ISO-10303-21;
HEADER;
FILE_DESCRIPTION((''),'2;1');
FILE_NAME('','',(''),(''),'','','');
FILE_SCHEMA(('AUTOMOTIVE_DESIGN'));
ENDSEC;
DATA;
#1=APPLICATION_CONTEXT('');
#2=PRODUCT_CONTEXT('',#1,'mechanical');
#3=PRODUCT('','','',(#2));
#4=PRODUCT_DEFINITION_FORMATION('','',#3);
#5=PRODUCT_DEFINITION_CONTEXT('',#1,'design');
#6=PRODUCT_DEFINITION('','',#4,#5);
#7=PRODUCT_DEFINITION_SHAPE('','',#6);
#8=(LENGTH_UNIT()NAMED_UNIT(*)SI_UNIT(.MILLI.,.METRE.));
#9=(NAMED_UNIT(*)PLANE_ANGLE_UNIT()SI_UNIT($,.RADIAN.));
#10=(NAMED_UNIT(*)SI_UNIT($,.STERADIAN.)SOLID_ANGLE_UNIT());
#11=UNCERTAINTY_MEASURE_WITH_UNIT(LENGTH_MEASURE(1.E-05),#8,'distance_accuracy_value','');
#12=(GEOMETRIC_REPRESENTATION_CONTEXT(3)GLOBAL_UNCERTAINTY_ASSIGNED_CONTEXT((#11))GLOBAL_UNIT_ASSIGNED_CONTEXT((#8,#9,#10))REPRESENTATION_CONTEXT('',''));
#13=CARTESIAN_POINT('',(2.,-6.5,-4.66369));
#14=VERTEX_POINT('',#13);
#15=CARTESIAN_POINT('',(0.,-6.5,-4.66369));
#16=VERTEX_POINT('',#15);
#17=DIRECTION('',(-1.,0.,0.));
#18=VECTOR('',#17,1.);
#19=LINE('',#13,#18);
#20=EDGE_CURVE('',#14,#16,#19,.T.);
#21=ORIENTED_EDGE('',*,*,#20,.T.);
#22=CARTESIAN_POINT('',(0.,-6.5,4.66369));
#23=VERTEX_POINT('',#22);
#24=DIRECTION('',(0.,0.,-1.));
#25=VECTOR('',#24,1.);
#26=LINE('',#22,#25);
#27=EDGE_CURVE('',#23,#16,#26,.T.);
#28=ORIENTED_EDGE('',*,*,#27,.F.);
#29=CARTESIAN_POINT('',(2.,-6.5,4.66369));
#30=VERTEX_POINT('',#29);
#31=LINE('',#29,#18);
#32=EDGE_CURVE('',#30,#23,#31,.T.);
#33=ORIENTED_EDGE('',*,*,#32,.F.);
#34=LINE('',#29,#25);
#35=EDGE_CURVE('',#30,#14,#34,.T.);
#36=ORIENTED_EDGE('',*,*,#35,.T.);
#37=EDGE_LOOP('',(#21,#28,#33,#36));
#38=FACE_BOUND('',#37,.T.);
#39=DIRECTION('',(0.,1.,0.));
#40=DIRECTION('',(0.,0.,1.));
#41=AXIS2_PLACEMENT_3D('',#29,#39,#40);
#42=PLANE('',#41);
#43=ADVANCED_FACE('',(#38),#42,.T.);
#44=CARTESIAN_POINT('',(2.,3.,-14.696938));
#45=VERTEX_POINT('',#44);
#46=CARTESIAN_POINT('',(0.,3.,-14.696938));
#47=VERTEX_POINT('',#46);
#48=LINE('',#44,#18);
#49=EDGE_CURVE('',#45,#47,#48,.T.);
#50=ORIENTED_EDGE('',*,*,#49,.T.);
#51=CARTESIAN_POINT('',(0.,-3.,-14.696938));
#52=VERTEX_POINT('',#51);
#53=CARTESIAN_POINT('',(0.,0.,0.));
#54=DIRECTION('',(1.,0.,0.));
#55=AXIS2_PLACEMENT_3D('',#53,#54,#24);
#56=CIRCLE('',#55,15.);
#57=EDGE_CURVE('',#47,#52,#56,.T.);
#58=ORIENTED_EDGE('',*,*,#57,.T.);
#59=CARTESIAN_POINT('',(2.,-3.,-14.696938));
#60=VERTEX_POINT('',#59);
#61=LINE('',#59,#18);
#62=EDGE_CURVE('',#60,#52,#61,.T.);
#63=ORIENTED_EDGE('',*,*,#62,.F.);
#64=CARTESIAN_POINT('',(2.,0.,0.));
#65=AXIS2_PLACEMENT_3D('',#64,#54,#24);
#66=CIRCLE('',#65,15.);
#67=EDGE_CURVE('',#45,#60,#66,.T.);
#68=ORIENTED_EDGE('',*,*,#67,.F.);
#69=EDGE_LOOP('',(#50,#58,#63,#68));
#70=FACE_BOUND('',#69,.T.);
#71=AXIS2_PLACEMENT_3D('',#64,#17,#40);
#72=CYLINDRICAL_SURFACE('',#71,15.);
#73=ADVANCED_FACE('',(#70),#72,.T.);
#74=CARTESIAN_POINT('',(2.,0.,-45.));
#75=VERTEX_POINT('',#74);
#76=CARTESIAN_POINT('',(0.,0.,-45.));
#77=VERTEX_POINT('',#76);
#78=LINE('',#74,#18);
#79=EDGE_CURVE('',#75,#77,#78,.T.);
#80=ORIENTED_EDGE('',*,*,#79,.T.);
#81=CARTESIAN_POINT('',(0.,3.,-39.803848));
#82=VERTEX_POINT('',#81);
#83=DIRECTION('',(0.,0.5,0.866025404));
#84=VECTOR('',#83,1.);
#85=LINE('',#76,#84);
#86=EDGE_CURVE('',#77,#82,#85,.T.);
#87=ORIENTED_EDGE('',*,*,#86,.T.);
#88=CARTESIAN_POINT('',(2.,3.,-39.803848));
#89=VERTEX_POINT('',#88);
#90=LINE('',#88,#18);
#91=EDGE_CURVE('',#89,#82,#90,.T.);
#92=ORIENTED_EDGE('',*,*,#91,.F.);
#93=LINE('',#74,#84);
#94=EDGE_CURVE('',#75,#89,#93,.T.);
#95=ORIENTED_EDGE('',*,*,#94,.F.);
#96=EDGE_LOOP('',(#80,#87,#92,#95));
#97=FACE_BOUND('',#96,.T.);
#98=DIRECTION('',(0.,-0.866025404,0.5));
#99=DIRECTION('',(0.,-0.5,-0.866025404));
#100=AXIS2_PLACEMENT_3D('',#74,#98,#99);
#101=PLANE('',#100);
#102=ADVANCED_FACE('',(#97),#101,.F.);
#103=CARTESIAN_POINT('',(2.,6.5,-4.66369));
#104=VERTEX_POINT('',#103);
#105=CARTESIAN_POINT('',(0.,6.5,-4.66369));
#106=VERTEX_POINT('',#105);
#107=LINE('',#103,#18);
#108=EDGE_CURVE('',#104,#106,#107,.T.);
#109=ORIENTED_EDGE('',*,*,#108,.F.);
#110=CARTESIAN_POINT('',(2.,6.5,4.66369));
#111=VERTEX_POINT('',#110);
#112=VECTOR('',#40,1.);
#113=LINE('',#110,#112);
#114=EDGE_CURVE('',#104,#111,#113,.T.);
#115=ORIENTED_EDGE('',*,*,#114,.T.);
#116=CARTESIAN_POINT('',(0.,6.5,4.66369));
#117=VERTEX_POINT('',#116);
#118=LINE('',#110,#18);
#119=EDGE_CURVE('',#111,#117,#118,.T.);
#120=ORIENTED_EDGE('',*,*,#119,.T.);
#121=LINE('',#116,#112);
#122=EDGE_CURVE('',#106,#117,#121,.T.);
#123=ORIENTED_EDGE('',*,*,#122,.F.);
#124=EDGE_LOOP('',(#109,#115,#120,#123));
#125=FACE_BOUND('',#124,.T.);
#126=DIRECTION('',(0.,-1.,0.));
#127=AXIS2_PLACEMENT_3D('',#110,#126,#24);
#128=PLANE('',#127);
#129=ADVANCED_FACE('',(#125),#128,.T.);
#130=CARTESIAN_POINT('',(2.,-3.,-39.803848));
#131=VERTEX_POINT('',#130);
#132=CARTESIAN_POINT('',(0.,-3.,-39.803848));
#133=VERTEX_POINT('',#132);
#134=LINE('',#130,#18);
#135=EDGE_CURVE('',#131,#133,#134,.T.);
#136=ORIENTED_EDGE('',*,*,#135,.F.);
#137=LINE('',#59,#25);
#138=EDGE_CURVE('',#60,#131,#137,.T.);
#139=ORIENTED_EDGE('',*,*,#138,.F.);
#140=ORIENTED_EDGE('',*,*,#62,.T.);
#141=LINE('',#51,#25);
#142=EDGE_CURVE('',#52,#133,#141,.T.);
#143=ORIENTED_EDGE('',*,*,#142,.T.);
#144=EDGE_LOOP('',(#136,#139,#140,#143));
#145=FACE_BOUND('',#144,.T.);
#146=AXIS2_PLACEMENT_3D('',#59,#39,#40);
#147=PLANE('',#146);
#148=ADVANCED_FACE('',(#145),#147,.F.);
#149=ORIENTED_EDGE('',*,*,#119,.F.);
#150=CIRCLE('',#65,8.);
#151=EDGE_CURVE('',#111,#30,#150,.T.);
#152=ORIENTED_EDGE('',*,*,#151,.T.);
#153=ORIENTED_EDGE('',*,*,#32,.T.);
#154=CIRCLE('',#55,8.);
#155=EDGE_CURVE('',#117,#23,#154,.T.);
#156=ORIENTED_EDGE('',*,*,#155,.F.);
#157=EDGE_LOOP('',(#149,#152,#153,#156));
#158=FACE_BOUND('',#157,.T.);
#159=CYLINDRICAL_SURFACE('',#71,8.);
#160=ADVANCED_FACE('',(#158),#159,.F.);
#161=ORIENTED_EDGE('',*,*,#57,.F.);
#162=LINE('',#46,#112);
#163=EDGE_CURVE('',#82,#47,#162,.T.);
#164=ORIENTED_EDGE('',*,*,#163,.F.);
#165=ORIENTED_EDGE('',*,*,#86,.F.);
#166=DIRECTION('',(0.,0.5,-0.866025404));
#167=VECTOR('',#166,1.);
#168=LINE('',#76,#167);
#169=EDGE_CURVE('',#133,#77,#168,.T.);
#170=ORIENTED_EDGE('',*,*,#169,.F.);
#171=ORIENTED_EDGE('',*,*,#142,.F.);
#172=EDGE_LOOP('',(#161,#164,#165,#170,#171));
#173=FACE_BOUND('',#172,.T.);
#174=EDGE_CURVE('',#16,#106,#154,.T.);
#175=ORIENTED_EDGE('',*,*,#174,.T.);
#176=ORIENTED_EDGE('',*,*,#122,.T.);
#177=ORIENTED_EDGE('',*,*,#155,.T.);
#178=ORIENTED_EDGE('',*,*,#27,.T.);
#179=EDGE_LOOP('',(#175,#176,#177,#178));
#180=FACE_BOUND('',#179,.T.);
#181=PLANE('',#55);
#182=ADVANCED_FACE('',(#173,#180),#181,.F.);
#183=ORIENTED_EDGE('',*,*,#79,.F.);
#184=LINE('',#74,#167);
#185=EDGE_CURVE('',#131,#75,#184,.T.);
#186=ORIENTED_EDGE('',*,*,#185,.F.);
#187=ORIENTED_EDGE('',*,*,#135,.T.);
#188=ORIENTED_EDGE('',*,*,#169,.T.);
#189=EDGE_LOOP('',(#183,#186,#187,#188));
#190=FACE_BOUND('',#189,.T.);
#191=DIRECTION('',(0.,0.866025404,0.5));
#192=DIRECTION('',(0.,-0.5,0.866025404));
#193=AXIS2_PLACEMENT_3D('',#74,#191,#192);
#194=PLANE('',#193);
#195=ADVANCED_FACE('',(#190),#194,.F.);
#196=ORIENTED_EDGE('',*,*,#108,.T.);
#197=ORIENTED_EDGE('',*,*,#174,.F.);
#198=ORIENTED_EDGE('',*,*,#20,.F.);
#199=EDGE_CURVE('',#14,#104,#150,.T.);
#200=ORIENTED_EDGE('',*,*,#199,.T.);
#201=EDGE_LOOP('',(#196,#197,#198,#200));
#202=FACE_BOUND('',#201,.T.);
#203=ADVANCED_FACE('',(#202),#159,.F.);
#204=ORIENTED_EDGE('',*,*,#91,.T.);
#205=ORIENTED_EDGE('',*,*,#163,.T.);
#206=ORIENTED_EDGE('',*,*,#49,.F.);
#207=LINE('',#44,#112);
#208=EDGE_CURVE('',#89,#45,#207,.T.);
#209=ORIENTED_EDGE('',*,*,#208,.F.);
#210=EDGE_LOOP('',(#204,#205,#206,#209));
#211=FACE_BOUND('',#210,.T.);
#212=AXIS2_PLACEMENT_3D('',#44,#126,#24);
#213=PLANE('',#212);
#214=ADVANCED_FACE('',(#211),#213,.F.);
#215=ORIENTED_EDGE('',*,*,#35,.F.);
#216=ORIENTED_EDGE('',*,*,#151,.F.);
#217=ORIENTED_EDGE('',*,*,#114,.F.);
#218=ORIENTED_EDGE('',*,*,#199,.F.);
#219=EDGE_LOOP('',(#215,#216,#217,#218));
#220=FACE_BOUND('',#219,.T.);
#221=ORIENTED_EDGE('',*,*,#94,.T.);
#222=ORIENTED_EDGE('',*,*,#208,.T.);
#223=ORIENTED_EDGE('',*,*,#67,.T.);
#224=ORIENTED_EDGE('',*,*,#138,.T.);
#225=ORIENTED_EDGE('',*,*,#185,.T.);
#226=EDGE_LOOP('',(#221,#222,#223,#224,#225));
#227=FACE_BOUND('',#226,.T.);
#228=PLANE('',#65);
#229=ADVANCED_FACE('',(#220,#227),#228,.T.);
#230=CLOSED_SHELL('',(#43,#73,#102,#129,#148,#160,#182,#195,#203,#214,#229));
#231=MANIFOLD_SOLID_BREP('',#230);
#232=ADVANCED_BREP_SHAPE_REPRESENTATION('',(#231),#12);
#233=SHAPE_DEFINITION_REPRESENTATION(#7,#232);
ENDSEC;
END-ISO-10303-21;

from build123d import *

# Parameters (mm, degrees)
BOSS_EXTRU_1_DEPTH = 2


with BuildPart() as part:
    # Esquisse1 → Boss.-Extru.1 (new body)
    with BuildSketch(Plane(origin=(0, 0, 0), x_dir=(0, 0, -1), z_dir=(1, 0, 0))):
        with BuildLine():
            Line((14.696938457, 3), (39.803847577, 3))
            Line((39.803847577, 3), (45, 0))
            Line((45, 0), (39.803847577, -3))
            Line((39.803847577, -3), (14.696938457, -3))
            ThreePointArc((14.696938457, -3), (-15, 0), (14.696938457, 3))
        make_face()
        with BuildLine():
            Line((-4.663689527, -6.5), (4.663689527, -6.5))
            ThreePointArc((4.663689527, -6.5), (8, 0), (4.663689527, 6.5))
            Line((4.663689527, 6.5), (-4.663689527, 6.5))
            ThreePointArc((-4.663689527, 6.5), (-8, 0), (-4.663689527, -6.5))
        make_face(mode=Mode.SUBTRACT)
    extrude(amount=BOSS_EXTRU_1_DEPTH)


solid = part.part
